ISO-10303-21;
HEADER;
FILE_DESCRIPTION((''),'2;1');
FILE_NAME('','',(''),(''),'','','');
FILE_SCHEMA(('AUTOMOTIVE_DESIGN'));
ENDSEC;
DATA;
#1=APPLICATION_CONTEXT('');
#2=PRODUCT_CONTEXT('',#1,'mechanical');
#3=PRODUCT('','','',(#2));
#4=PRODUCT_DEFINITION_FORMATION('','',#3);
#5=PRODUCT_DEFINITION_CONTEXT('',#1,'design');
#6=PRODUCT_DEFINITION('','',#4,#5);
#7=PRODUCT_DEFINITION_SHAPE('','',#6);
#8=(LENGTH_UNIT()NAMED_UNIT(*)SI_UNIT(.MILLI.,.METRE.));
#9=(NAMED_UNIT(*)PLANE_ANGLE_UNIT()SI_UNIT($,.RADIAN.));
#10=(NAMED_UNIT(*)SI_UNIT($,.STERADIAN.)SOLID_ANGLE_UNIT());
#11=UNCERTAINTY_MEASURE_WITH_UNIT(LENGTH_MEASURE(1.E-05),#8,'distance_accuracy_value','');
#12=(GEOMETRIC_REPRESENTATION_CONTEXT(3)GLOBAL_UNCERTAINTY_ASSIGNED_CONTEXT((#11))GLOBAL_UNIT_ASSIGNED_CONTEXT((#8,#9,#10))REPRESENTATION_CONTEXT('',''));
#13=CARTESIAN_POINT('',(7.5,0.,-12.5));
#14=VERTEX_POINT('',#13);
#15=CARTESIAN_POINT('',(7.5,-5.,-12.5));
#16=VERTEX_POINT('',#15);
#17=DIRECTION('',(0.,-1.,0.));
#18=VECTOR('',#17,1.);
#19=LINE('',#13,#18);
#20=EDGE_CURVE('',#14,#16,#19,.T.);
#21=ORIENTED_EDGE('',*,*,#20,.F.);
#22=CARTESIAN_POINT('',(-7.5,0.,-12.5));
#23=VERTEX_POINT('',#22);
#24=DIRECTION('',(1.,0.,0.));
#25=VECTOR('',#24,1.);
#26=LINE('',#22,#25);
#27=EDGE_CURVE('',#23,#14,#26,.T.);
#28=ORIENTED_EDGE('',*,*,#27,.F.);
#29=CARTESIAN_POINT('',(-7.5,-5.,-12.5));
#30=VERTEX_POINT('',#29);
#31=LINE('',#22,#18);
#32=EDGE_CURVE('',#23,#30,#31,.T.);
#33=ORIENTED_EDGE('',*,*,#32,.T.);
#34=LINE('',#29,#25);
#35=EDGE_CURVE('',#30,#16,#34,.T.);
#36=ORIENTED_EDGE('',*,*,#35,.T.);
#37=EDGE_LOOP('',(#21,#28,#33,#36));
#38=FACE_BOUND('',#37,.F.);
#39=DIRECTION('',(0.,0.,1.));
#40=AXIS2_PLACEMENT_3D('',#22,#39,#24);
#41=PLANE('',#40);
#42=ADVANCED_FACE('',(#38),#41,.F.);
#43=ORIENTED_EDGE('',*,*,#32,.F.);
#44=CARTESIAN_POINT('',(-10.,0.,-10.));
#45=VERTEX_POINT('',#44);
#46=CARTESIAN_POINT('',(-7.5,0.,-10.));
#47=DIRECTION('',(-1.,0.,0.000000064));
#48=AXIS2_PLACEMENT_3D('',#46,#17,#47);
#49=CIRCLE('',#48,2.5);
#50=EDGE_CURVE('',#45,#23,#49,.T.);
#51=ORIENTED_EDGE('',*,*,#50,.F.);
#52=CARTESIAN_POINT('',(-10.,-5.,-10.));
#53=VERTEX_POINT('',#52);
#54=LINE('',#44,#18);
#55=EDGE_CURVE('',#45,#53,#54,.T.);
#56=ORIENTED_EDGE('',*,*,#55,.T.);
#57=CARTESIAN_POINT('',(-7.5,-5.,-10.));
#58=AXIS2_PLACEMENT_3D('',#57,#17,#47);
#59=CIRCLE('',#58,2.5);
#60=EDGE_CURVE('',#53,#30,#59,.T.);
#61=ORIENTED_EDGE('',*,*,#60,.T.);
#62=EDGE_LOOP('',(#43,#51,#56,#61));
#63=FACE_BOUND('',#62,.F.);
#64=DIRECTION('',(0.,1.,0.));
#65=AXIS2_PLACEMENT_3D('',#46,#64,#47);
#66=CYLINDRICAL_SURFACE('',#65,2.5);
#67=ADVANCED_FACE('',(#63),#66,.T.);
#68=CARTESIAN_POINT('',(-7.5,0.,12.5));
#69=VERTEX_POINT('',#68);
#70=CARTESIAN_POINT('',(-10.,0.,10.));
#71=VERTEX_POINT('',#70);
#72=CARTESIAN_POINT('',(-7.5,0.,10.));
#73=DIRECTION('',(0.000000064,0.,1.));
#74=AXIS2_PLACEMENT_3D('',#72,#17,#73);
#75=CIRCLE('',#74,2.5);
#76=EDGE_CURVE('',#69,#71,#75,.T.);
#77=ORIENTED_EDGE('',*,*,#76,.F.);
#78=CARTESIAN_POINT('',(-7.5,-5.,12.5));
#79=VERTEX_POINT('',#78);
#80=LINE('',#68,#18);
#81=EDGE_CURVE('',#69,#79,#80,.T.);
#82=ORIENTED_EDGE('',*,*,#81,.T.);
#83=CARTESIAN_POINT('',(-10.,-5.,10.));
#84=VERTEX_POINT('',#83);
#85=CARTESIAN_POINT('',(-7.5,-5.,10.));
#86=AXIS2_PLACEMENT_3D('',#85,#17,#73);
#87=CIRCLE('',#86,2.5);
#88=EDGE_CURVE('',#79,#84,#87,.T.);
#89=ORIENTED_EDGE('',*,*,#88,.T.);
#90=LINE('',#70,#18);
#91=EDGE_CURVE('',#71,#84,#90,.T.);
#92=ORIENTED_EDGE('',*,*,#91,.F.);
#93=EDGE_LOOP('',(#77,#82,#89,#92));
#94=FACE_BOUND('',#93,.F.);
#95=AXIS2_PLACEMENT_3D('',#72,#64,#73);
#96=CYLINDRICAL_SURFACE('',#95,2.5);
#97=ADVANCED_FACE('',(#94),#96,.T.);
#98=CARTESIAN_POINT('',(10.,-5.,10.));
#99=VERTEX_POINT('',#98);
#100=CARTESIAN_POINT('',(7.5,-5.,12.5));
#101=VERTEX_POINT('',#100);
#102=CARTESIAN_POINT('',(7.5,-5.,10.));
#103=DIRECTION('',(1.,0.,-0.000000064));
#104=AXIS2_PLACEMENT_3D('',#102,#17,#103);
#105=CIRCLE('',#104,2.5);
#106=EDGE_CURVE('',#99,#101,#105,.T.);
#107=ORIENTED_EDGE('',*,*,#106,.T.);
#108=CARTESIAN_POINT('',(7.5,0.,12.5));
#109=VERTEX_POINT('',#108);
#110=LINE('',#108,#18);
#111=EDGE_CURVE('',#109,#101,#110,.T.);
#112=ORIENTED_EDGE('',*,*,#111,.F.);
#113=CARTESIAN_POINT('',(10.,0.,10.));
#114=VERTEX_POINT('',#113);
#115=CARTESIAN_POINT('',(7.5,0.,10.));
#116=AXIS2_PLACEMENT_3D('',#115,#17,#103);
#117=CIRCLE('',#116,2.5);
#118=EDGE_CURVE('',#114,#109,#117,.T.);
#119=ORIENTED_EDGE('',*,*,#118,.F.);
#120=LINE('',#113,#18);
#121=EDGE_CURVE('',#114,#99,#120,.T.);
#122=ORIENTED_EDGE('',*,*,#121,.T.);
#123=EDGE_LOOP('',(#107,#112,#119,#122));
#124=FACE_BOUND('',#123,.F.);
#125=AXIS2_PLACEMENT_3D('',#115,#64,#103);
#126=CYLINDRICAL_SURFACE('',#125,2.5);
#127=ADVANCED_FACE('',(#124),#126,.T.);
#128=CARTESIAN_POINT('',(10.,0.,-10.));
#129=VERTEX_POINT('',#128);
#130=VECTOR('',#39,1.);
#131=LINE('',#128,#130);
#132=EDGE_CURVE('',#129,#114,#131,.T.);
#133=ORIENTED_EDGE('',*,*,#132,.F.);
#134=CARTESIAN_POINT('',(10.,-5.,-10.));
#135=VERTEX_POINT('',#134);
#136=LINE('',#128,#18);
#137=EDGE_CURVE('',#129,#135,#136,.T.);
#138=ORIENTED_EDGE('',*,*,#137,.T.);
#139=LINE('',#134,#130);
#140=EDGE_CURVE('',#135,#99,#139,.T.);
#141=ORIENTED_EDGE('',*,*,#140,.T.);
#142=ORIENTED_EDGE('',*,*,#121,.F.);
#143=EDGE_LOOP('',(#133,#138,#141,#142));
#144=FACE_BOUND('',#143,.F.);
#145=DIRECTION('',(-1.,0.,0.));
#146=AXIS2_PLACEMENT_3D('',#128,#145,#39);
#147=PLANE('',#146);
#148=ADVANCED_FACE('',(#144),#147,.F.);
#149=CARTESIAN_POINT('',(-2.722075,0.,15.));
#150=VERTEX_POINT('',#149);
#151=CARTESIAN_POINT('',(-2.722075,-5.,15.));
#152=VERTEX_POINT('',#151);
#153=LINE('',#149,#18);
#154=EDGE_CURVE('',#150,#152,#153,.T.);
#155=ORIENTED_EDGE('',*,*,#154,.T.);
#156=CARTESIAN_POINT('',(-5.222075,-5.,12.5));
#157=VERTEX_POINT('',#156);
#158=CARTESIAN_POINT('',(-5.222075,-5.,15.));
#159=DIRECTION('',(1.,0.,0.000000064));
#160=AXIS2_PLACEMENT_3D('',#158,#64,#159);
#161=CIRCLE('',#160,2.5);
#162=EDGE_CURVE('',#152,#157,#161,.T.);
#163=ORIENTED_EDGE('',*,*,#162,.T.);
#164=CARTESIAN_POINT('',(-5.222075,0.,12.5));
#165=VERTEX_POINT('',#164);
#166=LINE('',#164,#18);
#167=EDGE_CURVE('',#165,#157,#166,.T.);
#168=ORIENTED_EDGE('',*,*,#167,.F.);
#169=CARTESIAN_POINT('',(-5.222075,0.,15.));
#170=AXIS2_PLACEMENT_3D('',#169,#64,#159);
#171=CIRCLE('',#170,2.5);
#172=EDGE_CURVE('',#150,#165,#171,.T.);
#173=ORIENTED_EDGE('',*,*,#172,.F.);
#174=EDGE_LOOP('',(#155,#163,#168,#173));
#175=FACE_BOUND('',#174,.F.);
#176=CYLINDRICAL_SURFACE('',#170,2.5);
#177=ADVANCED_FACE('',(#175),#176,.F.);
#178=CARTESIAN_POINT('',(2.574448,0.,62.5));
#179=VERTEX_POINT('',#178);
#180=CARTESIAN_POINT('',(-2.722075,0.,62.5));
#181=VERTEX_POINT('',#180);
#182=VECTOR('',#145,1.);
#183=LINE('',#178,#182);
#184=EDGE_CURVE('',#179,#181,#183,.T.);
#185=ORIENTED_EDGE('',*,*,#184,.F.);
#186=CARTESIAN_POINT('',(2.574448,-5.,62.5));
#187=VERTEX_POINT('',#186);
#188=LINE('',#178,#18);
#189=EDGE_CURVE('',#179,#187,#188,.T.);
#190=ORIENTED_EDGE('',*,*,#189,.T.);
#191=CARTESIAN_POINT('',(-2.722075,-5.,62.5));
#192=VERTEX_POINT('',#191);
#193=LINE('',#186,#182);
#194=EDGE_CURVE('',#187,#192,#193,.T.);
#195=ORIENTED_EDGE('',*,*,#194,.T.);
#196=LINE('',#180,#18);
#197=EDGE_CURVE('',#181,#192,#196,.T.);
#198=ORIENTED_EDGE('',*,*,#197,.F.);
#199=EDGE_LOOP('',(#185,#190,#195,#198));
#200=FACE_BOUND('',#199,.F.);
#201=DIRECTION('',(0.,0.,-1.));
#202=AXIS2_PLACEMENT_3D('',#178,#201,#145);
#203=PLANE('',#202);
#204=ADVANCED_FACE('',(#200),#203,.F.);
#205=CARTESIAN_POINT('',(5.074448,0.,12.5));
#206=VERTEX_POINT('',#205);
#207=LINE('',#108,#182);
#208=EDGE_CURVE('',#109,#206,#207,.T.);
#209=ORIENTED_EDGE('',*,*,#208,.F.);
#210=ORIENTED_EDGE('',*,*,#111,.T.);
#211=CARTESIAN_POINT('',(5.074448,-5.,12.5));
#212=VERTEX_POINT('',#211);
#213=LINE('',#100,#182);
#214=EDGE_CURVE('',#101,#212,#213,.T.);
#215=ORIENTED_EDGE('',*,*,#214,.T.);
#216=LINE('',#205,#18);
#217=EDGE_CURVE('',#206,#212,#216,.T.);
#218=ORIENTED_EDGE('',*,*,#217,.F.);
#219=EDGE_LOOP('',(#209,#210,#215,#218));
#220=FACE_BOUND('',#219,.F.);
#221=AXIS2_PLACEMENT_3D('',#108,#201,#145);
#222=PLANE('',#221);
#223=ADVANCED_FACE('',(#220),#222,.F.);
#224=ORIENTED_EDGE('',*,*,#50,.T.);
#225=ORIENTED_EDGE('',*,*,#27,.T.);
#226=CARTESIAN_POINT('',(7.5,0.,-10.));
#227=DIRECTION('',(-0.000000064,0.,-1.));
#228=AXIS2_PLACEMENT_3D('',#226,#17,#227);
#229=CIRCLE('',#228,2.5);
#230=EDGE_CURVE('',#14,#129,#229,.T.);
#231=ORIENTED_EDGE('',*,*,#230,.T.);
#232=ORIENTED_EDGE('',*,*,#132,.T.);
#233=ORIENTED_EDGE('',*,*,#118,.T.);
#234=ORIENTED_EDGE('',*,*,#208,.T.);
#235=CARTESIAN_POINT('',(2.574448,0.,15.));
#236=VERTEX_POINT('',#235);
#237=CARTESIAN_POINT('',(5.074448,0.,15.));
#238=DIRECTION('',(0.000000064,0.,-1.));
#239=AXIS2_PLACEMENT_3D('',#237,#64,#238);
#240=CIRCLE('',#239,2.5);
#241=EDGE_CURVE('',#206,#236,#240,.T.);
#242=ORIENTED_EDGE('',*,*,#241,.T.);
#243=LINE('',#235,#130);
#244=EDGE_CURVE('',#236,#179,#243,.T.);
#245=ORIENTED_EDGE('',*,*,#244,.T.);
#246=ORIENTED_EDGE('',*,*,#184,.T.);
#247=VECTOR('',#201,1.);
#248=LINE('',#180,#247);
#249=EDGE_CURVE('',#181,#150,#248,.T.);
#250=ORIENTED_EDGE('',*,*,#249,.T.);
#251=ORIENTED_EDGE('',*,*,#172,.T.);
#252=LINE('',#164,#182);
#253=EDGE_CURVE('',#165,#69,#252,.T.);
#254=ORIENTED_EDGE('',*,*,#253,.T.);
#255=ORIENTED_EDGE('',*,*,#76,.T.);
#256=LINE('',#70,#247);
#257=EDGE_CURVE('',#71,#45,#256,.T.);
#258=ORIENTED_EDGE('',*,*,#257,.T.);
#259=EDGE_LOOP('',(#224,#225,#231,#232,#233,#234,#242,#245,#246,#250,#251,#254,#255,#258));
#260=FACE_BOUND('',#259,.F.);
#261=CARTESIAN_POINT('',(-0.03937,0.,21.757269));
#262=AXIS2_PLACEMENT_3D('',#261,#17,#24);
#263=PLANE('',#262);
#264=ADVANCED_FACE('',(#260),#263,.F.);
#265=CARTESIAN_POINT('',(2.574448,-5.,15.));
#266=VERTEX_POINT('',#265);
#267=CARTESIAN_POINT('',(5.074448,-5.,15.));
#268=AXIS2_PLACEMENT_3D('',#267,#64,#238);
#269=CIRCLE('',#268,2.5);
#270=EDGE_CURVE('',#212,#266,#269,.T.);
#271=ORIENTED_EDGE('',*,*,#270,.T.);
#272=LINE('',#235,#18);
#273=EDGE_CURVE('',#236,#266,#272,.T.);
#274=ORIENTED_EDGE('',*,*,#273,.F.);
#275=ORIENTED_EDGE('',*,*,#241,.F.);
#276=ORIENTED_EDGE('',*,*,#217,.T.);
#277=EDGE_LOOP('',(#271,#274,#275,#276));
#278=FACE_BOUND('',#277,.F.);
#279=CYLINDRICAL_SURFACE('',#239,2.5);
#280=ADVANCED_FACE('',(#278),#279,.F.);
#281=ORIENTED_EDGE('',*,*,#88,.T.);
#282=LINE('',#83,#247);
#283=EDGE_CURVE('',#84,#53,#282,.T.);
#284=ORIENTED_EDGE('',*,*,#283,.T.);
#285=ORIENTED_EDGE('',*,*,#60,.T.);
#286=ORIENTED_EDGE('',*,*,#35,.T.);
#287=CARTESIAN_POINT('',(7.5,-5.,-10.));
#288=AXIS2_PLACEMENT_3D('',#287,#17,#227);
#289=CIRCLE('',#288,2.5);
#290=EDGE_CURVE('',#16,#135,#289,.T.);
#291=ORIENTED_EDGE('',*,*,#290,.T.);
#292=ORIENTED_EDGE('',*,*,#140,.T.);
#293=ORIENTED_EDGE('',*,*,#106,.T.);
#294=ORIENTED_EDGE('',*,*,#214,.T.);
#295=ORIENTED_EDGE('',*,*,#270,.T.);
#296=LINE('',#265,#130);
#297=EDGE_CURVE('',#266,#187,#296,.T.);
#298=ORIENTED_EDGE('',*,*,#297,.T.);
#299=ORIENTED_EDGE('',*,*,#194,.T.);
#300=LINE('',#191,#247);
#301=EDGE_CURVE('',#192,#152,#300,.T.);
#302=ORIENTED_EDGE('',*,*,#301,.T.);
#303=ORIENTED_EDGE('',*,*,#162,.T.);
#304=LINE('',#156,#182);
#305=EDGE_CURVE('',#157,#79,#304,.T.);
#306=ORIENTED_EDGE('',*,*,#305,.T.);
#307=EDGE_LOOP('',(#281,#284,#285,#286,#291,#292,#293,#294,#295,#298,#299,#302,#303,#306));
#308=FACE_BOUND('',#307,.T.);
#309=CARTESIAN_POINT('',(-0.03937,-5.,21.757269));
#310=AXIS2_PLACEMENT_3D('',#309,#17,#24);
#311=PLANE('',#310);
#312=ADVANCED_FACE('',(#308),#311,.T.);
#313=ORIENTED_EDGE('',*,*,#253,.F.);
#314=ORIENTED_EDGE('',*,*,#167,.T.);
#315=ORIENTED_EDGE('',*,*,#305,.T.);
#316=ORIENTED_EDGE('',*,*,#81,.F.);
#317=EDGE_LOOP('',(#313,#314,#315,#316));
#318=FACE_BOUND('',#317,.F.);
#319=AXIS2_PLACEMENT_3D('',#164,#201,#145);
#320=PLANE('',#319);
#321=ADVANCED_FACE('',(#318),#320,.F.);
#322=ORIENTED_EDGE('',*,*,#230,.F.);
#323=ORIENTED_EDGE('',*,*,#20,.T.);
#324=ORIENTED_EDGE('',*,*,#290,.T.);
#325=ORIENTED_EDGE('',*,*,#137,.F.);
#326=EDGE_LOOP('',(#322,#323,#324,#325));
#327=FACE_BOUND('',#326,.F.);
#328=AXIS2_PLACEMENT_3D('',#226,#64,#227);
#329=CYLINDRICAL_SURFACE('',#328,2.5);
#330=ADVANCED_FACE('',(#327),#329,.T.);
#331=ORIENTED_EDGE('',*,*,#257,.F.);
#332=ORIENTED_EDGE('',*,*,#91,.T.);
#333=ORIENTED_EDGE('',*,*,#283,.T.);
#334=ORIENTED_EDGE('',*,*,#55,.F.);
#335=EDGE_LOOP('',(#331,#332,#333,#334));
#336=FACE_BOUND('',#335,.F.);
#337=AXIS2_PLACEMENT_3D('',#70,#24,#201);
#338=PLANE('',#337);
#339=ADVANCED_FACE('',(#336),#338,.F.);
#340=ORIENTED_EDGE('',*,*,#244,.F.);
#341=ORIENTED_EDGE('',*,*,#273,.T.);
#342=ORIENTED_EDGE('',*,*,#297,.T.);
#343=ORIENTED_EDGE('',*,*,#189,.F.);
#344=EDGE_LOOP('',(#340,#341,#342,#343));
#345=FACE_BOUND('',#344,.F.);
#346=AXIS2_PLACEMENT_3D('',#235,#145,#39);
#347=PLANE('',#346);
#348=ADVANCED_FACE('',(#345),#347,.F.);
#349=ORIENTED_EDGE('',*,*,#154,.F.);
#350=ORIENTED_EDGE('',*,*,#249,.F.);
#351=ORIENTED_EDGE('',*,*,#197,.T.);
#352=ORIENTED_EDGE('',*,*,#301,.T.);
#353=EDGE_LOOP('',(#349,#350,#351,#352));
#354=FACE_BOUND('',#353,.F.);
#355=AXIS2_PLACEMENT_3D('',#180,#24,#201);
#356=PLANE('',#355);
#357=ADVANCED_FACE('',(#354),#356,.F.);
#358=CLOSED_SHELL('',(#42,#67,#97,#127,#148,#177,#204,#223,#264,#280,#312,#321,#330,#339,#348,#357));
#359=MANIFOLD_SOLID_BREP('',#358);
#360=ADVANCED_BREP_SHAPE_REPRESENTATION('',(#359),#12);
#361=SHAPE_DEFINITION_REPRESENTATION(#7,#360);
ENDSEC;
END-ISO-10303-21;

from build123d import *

# Parameters (mm, degrees)
F1_DEPTH = 5


with BuildPart() as f1:
    # F0 (on Front) → F1 (new body)
    with BuildSketch(Plane.XZ):
        with BuildLine():
            ThreePointArc((-10, -10), (-9.267767, -11.767767), (-7.5, -12.5))
            Line((-7.5, -12.5), (7.5, -12.5))
            ThreePointArc((7.5, -12.5), (9.267767, -11.767767), (10, -10))
            Line((10, -10), (10, 10))
            ThreePointArc((10, 10), (9.267767, 11.767767), (7.5, 12.5))
            Line((7.5, 12.5), (5.074448, 12.5))
            ThreePointArc((5.074448, 12.5), (3.306681, 13.232233), (2.574448, 15))
            Line((2.574448, 15), (2.574448, 62.5))
            Line((2.574448, 62.5), (-2.722075, 62.5))
            Line((-2.722075, 62.5), (-2.722075, 15))
            ThreePointArc((-2.722075, 15), (-3.454308, 13.232233), (-5.222075, 12.5))
            Line((-5.222075, 12.5), (-7.5, 12.5))
            ThreePointArc((-7.5, 12.5), (-9.267767, 11.767767), (-10, 10))
            Line((-10, 10), (-10, -10))
        make_face()
    extrude(amount=F1_DEPTH)


solid = f1.part
